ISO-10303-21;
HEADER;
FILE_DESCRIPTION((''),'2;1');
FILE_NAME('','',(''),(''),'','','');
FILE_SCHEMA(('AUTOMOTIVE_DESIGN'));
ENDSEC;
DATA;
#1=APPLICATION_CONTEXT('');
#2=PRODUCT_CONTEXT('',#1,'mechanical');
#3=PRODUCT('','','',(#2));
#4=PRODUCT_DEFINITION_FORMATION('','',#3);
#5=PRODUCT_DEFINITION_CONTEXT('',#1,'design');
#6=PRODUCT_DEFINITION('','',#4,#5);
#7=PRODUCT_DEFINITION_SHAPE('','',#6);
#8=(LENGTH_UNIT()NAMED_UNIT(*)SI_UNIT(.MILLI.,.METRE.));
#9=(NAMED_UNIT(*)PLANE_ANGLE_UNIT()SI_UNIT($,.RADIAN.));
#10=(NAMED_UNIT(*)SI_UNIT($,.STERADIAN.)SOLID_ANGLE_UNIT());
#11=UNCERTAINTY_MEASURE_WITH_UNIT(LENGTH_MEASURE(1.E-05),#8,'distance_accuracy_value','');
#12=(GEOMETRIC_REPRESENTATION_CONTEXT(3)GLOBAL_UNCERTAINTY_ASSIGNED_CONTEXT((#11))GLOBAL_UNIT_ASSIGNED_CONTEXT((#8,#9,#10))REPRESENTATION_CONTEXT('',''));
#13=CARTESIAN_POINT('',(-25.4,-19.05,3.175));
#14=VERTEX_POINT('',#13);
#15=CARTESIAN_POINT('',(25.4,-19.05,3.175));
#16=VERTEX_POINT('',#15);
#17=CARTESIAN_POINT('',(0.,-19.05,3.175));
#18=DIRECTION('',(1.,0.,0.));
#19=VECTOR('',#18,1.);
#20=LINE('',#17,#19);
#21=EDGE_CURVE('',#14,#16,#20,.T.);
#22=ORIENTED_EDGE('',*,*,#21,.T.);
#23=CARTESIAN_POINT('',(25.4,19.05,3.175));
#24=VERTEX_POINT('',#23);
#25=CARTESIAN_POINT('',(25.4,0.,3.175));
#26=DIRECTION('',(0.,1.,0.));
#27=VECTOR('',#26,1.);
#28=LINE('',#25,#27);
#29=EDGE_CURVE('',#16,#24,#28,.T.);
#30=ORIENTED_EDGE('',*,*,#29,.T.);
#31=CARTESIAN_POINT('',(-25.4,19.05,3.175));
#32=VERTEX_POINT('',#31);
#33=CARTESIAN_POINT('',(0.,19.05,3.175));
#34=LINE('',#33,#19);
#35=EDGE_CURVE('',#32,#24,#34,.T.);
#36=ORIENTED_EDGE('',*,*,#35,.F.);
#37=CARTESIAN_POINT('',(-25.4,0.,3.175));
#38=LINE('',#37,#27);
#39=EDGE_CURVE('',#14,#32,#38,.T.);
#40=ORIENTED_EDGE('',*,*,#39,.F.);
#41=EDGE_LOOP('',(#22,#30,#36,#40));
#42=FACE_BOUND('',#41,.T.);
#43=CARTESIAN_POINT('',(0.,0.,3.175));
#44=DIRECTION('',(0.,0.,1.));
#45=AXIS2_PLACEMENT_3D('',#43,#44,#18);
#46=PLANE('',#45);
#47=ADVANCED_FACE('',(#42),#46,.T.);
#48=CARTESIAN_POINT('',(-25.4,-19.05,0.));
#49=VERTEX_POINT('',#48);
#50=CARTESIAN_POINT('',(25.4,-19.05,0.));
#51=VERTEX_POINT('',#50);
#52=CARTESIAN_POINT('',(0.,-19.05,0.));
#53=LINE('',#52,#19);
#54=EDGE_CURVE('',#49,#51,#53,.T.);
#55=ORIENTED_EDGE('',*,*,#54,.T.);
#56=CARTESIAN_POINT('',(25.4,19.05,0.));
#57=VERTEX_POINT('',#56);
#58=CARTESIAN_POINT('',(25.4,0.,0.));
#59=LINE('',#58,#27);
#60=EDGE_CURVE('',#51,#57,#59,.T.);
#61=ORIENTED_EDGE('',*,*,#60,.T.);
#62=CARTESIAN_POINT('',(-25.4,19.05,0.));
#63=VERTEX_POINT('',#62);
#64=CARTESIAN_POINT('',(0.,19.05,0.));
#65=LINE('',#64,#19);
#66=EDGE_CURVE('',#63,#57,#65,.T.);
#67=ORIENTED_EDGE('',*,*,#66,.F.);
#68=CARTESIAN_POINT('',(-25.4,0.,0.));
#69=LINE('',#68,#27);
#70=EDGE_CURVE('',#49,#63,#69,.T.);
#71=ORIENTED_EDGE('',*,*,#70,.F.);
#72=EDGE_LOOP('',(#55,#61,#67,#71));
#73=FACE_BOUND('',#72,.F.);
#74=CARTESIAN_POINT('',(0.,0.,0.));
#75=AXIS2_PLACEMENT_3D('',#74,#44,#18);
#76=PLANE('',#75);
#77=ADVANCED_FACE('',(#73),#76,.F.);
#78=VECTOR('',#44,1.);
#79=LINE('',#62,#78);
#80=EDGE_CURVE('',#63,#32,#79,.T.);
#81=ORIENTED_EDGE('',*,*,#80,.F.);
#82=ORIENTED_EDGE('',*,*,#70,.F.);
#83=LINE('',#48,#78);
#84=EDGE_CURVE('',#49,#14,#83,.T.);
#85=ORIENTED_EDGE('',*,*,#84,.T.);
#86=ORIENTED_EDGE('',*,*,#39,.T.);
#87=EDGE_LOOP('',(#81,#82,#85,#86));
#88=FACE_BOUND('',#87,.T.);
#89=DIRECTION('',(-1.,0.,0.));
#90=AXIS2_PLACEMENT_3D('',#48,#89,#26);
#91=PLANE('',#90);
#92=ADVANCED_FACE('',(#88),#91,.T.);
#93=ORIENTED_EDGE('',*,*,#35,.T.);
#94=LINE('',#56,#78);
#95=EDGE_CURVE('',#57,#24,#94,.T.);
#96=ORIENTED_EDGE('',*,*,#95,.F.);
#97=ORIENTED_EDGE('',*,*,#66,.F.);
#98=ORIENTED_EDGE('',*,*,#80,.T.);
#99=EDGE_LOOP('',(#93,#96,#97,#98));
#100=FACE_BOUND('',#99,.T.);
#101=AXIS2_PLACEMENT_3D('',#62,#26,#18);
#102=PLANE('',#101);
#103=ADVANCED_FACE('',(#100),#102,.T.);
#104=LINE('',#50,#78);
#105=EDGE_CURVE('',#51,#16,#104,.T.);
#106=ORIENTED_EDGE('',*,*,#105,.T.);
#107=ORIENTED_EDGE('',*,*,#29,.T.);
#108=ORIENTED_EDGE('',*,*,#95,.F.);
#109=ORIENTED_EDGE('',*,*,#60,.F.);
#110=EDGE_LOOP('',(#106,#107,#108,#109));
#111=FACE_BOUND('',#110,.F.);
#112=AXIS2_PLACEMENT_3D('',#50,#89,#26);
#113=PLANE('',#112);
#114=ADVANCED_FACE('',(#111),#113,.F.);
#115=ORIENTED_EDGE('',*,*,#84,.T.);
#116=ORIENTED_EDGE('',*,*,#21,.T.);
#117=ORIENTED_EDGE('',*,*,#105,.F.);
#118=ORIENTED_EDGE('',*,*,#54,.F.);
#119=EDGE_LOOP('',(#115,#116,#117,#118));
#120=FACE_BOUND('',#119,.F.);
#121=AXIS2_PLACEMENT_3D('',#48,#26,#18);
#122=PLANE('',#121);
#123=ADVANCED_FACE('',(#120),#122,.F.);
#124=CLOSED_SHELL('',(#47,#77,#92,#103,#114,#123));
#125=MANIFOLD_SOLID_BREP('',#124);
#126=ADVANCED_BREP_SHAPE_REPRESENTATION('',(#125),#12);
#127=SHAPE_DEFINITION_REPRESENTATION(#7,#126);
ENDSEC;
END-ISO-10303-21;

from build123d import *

# Parameters (mm, degrees)
SKETCH_W  = 50.8
SKETCH_H  = 38.1
PAD_DEPTH = 3.175


with BuildPart() as part:
    # Sketch → Pad (new body)
    with BuildSketch(Plane.XY):
        Rectangle(SKETCH_W, SKETCH_H)
    extrude(amount=PAD_DEPTH)


solid = part.part
